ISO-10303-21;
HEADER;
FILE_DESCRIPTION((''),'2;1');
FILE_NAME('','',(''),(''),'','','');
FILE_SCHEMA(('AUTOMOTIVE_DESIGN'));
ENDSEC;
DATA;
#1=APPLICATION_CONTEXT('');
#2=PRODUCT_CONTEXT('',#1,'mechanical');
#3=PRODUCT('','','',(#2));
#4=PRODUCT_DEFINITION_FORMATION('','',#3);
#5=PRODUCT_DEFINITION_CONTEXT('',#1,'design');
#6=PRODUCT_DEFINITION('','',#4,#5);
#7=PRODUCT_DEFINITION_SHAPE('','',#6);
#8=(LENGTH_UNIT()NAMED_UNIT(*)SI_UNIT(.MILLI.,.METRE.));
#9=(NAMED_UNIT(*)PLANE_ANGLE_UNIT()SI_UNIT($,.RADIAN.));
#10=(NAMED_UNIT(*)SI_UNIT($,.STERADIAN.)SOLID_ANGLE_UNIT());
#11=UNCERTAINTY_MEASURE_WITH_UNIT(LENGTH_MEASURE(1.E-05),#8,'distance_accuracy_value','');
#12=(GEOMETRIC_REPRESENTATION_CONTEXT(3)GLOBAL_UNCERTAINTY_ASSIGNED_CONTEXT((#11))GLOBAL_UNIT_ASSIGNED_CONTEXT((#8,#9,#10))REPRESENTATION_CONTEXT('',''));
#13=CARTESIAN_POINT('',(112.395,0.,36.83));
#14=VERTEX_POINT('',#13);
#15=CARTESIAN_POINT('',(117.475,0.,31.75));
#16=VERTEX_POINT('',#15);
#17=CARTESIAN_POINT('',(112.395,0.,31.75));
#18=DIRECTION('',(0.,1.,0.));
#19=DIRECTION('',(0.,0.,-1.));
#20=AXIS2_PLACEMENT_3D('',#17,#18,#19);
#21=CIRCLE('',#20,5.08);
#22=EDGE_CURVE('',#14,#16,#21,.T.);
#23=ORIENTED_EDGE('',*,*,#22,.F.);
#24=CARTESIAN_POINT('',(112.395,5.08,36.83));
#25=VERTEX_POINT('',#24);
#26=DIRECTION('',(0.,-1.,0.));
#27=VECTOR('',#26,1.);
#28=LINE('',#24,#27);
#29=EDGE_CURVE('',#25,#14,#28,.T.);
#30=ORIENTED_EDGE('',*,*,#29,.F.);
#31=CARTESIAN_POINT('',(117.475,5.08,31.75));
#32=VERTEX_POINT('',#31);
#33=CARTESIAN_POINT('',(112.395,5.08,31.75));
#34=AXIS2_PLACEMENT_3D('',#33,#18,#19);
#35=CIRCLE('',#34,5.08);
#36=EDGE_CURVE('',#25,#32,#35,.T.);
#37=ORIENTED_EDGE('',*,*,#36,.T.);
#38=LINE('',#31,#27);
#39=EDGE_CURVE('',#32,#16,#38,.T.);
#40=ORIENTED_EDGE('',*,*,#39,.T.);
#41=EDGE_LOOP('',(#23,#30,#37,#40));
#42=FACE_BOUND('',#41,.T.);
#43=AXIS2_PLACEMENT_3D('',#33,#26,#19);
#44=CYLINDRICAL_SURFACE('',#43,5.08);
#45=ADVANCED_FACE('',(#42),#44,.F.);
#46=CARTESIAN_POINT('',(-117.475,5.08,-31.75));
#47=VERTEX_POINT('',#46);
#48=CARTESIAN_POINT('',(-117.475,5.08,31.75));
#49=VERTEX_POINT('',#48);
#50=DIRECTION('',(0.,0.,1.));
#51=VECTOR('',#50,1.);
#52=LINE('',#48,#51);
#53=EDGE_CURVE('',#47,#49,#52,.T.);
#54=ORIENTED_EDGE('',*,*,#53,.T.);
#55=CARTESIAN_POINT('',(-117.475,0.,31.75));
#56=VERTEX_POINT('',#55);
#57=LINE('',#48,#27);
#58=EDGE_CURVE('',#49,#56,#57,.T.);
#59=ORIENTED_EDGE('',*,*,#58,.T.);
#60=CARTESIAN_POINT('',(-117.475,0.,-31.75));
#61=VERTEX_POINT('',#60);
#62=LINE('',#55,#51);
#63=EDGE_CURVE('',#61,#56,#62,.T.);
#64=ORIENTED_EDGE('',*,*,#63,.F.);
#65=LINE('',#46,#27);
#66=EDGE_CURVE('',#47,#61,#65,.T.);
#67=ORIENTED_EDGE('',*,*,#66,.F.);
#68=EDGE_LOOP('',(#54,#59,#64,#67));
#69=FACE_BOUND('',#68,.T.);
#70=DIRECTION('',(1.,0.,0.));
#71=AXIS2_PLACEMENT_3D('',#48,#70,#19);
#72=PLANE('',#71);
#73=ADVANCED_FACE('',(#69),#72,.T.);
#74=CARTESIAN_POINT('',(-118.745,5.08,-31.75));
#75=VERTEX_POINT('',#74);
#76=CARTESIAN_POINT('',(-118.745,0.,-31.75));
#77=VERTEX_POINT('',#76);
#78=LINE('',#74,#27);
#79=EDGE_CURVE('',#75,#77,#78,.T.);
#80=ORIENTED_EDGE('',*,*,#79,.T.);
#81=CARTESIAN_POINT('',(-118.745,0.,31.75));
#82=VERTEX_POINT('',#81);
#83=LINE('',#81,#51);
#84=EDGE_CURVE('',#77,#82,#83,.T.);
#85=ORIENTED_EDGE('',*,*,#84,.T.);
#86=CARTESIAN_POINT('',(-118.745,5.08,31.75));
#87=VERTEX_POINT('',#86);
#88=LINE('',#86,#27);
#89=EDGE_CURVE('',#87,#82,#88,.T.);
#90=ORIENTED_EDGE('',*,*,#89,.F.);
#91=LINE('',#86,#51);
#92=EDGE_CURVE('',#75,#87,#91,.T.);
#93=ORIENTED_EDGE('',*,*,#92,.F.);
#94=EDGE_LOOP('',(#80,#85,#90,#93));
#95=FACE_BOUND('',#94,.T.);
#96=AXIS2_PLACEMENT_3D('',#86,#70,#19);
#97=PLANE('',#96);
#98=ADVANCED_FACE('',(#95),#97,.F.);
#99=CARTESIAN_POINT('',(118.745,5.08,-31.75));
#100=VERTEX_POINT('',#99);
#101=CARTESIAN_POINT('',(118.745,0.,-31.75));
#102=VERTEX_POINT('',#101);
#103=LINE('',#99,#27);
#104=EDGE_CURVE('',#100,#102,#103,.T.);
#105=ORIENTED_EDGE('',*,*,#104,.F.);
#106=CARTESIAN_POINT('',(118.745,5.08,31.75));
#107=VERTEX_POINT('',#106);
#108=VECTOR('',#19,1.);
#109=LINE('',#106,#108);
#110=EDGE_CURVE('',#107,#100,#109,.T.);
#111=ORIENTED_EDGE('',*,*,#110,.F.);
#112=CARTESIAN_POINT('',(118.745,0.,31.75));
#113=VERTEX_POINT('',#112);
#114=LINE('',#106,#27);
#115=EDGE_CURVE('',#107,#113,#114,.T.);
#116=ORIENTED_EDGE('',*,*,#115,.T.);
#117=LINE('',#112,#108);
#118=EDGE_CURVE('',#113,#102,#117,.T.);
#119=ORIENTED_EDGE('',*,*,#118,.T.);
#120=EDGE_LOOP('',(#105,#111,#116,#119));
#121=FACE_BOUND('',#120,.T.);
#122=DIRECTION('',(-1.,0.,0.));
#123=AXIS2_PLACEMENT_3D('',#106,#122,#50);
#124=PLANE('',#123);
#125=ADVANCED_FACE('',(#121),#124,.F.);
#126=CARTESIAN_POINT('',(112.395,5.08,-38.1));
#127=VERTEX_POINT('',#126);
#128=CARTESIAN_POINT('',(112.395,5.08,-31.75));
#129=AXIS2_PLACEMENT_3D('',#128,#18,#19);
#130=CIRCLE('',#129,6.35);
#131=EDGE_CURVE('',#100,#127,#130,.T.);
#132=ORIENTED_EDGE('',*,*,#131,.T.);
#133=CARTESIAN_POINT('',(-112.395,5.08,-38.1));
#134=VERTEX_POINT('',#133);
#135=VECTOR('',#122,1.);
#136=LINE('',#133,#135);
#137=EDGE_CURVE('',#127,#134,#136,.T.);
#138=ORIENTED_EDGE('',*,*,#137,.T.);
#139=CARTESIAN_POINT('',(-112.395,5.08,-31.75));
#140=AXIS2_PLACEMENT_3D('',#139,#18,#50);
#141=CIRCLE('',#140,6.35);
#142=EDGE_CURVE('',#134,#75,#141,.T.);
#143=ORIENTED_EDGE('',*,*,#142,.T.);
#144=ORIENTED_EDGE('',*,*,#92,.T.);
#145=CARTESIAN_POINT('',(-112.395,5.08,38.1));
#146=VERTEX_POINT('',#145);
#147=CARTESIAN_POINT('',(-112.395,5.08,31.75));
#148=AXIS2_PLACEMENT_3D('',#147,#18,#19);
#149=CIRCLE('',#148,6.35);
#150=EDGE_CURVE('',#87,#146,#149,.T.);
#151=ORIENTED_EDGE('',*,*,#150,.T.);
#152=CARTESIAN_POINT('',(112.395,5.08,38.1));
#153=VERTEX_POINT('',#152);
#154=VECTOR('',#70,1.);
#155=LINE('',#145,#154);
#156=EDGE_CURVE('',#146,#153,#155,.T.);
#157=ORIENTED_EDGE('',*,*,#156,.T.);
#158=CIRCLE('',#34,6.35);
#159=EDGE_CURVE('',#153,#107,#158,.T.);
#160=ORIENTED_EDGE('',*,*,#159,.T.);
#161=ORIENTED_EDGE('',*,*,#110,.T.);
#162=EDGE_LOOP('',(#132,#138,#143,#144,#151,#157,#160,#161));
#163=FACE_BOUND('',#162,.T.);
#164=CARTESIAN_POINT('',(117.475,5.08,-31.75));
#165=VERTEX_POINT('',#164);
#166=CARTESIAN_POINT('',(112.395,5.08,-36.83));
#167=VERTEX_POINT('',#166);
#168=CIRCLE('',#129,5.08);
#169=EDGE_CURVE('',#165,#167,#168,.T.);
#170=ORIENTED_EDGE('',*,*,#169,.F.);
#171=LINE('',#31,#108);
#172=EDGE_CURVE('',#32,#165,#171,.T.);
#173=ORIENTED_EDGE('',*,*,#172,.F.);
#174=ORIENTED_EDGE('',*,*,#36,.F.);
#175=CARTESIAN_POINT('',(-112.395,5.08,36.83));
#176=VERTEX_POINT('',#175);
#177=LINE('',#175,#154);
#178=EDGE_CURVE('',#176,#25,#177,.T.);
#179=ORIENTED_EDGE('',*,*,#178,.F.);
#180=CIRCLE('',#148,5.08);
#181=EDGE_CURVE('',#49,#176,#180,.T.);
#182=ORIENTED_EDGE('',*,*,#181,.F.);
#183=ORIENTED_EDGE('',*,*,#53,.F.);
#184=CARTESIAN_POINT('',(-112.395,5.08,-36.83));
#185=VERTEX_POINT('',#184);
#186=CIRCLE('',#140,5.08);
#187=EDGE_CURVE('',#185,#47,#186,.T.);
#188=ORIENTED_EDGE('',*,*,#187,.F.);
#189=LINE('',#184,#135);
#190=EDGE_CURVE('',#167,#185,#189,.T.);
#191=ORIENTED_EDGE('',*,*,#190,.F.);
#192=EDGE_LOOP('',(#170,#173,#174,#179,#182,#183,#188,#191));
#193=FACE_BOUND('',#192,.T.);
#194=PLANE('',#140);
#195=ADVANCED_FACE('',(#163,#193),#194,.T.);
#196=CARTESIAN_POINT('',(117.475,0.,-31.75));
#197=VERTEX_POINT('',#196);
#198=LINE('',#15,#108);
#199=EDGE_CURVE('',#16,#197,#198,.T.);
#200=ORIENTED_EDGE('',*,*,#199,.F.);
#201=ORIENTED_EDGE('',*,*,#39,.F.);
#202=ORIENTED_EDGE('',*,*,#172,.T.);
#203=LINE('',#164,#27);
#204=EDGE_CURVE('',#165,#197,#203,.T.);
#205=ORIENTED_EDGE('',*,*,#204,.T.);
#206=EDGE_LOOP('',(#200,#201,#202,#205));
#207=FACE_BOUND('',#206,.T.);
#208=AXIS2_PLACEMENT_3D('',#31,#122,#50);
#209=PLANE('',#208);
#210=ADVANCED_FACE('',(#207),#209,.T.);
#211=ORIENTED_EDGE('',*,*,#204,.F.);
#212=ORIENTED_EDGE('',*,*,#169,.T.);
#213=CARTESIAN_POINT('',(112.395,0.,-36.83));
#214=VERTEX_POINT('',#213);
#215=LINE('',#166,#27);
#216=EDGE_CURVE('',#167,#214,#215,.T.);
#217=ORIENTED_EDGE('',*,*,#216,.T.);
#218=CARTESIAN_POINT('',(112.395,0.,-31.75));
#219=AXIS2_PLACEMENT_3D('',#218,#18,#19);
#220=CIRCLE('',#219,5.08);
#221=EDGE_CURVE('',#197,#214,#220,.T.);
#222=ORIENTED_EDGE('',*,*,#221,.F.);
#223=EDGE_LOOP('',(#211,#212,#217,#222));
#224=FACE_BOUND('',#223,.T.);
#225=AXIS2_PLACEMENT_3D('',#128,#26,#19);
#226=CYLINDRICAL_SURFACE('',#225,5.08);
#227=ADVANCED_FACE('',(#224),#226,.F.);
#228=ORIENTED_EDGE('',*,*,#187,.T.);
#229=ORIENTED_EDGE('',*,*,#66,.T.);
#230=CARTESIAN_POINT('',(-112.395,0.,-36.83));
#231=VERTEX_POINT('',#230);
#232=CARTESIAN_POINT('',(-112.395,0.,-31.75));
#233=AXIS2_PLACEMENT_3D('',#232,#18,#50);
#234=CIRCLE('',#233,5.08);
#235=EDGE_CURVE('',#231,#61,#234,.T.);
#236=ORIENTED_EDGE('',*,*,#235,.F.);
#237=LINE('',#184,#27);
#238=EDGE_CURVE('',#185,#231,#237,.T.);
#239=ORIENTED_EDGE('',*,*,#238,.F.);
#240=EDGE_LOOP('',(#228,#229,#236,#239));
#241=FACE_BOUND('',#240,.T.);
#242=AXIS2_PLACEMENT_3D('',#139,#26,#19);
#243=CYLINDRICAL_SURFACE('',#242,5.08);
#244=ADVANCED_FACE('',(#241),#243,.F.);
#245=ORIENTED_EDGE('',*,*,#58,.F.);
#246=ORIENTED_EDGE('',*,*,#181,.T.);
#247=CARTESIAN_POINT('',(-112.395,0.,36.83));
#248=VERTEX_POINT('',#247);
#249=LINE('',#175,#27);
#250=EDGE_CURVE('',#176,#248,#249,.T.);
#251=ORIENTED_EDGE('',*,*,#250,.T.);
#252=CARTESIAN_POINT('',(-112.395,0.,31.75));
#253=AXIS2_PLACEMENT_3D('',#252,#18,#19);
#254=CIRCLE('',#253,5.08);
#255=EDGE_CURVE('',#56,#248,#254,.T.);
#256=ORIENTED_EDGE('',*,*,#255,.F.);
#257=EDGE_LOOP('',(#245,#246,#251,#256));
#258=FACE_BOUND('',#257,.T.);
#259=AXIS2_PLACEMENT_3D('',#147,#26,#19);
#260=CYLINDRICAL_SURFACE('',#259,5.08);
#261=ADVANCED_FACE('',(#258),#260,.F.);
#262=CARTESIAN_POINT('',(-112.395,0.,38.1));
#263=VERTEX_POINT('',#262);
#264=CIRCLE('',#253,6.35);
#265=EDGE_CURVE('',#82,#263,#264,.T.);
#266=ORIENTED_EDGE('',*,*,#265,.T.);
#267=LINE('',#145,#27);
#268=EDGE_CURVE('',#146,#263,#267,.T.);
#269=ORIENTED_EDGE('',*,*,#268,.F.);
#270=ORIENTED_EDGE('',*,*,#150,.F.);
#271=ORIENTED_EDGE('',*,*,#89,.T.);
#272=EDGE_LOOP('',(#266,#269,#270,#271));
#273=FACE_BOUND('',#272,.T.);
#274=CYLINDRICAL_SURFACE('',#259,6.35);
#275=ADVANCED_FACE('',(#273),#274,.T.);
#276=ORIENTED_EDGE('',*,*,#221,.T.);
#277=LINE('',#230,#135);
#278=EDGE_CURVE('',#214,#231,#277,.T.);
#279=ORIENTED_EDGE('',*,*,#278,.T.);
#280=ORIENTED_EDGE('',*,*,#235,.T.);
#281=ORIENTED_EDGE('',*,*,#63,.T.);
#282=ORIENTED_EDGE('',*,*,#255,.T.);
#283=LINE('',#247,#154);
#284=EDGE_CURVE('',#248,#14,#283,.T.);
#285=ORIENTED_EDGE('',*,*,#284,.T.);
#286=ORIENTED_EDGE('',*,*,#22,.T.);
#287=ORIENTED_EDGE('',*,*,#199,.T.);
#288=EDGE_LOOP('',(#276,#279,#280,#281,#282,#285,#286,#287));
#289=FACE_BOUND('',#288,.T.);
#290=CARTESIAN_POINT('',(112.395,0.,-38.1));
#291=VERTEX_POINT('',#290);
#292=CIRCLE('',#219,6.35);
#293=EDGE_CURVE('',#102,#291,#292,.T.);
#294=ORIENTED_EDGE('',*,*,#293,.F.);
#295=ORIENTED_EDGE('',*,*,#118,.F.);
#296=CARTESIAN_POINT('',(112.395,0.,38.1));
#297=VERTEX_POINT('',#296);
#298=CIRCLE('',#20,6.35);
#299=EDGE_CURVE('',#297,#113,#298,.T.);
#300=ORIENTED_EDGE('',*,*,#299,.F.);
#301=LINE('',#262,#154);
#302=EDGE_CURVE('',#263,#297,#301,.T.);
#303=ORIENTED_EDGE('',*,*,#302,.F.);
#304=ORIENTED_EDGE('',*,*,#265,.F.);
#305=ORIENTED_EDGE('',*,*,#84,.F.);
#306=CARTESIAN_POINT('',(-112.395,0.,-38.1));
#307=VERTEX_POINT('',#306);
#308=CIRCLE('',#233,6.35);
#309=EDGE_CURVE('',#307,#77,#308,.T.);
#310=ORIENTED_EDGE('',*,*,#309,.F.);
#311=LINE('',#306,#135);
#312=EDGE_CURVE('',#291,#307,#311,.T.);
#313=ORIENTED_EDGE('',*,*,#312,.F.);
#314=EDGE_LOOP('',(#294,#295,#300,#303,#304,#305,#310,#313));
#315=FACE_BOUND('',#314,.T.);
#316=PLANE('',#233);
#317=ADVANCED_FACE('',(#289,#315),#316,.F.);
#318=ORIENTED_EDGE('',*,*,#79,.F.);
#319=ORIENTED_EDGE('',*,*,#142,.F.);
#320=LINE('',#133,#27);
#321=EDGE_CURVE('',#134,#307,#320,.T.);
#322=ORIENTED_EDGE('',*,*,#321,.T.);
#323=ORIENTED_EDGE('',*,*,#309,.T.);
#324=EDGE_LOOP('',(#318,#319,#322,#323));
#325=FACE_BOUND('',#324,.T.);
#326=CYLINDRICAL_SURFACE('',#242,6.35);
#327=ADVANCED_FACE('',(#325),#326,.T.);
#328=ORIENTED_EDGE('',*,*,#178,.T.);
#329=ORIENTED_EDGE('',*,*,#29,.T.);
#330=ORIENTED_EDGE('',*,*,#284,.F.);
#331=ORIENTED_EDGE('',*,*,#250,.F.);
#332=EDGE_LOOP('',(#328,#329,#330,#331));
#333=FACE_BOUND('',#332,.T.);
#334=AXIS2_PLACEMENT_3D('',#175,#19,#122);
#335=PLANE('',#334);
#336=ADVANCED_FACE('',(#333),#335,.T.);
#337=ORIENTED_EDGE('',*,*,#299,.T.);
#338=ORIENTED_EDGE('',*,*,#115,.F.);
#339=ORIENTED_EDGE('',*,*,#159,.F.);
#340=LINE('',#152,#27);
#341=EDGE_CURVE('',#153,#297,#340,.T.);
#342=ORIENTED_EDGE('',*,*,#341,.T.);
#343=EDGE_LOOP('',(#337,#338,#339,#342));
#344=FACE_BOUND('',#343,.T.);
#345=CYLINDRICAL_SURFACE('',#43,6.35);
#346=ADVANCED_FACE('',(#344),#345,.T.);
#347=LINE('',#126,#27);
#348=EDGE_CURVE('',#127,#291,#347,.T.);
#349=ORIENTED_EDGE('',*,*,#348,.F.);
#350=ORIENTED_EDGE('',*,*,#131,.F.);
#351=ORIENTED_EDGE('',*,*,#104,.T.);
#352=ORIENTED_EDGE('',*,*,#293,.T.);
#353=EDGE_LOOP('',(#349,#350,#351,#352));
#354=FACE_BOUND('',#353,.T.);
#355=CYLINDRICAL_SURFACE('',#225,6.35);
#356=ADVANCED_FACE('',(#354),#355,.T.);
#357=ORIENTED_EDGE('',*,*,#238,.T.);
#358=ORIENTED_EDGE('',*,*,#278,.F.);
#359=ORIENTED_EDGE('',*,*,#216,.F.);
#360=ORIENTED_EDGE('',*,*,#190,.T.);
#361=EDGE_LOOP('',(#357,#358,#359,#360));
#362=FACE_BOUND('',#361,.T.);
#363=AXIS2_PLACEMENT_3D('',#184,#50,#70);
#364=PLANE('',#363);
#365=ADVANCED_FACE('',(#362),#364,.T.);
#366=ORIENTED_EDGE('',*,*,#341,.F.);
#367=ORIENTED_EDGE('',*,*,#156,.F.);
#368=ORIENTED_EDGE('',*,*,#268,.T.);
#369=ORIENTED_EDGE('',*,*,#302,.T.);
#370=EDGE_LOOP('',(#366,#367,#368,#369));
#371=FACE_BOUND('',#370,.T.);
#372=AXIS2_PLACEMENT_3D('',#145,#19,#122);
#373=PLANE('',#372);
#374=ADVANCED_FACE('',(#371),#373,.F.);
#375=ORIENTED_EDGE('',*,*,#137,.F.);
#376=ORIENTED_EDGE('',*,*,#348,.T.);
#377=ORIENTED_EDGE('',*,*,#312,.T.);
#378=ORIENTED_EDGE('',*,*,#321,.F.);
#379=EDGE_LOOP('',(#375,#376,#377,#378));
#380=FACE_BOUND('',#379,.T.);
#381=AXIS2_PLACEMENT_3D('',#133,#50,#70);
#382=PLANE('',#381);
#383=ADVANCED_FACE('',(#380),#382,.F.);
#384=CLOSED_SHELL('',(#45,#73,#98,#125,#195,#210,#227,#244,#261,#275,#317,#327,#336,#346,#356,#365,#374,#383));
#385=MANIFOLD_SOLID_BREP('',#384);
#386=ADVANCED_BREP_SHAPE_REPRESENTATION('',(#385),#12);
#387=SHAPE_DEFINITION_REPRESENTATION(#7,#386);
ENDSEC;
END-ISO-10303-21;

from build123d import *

# Parameters (mm, degrees)
BOSS_EXTRUDE1_DEPTH = 5.08


with BuildPart() as part:
    # Sketch1 → Boss-Extrude1 (new body)
    with BuildSketch(Plane(origin=(0, 0, 0), x_dir=(1, 0, 0), z_dir=(0, 1, 0))):
        with BuildLine():
            Line((-112.395, 38.1), (112.395, 38.1))
            ThreePointArc((112.395, 38.1), (116.885128061, 36.240128061), (118.745, 31.75))
            Line((118.745, 31.75), (118.745, -31.75))
            ThreePointArc((118.745, -31.75), (116.885128061, -36.240128061), (112.395, -38.1))
            Line((112.395, -38.1), (-112.395, -38.1))
            ThreePointArc((-112.395, -38.1), (-116.885128061, -36.240128061), (-118.745, -31.75))
            Line((-118.745, -31.75), (-118.745, 31.75))
            ThreePointArc((-118.745, 31.75), (-116.885128061, 36.240128061), (-112.395, 38.1))
        make_face()
        with BuildLine():
            Line((-112.395, -36.83), (112.395, -36.83))
            ThreePointArc((112.395, -36.83), (115.987102448, -35.342102448), (117.475, -31.75))
            Line((117.475, -31.75), (117.475, 31.75))
            ThreePointArc((117.475, 31.75), (115.987102448, 35.342102448), (112.395, 36.83))
            Line((112.395, 36.83), (-112.395, 36.83))
            ThreePointArc((-112.395, 36.83), (-115.987102448, 35.342102448), (-117.475, 31.75))
            Line((-117.475, 31.75), (-117.475, -31.75))
            ThreePointArc((-117.475, -31.75), (-115.987102448, -35.342102448), (-112.395, -36.83))
        make_face(mode=Mode.SUBTRACT)
    extrude(amount=BOSS_EXTRUDE1_DEPTH)


solid = part.part
